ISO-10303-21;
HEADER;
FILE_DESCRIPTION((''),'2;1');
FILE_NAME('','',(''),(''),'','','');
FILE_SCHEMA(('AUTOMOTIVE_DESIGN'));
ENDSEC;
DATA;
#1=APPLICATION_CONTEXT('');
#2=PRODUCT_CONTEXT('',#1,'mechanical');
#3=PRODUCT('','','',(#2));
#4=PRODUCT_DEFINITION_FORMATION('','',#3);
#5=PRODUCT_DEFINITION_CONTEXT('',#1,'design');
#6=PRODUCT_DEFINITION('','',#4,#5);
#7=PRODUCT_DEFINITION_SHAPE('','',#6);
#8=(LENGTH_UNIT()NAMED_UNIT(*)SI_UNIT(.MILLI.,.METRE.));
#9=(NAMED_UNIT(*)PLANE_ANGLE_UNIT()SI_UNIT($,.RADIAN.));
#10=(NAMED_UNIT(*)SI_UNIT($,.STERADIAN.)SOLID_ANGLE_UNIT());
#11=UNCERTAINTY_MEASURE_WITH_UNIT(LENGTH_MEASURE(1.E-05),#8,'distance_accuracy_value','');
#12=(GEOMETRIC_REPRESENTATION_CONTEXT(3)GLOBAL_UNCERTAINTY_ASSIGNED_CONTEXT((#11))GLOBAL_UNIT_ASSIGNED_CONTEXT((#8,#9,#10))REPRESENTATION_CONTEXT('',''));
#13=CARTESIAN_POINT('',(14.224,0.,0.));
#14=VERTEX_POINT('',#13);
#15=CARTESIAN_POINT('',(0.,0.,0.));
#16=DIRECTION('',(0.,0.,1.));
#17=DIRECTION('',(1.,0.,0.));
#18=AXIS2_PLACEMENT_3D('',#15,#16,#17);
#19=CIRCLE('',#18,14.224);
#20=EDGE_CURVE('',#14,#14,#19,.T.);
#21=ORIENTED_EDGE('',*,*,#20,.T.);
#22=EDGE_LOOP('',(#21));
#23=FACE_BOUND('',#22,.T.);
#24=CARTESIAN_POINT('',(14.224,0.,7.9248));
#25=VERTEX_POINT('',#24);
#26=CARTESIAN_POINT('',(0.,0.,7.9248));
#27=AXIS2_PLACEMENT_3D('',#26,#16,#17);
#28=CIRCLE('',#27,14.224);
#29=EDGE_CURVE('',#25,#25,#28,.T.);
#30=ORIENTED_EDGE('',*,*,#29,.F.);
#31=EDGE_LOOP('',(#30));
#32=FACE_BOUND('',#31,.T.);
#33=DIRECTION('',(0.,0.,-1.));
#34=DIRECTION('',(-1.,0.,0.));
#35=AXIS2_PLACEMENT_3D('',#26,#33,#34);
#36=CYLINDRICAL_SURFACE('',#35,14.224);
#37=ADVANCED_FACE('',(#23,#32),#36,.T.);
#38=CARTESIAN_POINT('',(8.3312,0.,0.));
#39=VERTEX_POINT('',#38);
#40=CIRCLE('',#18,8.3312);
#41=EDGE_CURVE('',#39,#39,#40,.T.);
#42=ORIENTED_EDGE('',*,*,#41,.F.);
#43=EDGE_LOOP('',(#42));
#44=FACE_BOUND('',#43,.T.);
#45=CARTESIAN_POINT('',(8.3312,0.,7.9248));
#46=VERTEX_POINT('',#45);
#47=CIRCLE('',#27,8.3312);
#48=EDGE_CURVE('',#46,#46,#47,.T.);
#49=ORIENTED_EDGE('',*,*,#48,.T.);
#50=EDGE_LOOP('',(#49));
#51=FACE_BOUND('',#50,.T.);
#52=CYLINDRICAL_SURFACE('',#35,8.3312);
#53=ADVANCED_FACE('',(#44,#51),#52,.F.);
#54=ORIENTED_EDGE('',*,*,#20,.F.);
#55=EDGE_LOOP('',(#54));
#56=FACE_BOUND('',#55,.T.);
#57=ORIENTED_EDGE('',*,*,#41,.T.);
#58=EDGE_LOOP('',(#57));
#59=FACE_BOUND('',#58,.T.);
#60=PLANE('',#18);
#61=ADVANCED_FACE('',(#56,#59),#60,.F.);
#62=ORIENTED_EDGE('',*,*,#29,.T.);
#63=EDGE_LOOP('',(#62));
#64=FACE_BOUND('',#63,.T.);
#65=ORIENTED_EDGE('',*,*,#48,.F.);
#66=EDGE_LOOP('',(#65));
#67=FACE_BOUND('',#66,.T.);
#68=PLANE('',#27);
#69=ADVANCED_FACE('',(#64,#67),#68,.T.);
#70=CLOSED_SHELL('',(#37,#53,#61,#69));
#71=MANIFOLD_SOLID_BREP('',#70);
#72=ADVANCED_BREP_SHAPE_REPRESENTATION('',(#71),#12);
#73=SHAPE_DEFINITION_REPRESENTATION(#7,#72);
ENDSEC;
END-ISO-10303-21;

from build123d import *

# Parameters (mm, degrees)
SKETCH1_R           = 14.224
BOSS_EXTRUDE1_DEPTH = 7.9248
SKETCH2_R           = 8.3312
CUT_EXTRUDE1_DEPTH  = 7.9248


with BuildPart() as part:
    # Sketch1 → Boss-Extrude1 (new body)
    with BuildSketch(Plane.XY):
        Circle(SKETCH1_R)
    extrude(amount=BOSS_EXTRUDE1_DEPTH)

    # Sketch2 → Cut-Extrude1 (cut)
    with BuildSketch(Plane.XY):
        Circle(SKETCH2_R)
    extrude(amount=CUT_EXTRUDE1_DEPTH, mode=Mode.SUBTRACT)


solid = part.part
